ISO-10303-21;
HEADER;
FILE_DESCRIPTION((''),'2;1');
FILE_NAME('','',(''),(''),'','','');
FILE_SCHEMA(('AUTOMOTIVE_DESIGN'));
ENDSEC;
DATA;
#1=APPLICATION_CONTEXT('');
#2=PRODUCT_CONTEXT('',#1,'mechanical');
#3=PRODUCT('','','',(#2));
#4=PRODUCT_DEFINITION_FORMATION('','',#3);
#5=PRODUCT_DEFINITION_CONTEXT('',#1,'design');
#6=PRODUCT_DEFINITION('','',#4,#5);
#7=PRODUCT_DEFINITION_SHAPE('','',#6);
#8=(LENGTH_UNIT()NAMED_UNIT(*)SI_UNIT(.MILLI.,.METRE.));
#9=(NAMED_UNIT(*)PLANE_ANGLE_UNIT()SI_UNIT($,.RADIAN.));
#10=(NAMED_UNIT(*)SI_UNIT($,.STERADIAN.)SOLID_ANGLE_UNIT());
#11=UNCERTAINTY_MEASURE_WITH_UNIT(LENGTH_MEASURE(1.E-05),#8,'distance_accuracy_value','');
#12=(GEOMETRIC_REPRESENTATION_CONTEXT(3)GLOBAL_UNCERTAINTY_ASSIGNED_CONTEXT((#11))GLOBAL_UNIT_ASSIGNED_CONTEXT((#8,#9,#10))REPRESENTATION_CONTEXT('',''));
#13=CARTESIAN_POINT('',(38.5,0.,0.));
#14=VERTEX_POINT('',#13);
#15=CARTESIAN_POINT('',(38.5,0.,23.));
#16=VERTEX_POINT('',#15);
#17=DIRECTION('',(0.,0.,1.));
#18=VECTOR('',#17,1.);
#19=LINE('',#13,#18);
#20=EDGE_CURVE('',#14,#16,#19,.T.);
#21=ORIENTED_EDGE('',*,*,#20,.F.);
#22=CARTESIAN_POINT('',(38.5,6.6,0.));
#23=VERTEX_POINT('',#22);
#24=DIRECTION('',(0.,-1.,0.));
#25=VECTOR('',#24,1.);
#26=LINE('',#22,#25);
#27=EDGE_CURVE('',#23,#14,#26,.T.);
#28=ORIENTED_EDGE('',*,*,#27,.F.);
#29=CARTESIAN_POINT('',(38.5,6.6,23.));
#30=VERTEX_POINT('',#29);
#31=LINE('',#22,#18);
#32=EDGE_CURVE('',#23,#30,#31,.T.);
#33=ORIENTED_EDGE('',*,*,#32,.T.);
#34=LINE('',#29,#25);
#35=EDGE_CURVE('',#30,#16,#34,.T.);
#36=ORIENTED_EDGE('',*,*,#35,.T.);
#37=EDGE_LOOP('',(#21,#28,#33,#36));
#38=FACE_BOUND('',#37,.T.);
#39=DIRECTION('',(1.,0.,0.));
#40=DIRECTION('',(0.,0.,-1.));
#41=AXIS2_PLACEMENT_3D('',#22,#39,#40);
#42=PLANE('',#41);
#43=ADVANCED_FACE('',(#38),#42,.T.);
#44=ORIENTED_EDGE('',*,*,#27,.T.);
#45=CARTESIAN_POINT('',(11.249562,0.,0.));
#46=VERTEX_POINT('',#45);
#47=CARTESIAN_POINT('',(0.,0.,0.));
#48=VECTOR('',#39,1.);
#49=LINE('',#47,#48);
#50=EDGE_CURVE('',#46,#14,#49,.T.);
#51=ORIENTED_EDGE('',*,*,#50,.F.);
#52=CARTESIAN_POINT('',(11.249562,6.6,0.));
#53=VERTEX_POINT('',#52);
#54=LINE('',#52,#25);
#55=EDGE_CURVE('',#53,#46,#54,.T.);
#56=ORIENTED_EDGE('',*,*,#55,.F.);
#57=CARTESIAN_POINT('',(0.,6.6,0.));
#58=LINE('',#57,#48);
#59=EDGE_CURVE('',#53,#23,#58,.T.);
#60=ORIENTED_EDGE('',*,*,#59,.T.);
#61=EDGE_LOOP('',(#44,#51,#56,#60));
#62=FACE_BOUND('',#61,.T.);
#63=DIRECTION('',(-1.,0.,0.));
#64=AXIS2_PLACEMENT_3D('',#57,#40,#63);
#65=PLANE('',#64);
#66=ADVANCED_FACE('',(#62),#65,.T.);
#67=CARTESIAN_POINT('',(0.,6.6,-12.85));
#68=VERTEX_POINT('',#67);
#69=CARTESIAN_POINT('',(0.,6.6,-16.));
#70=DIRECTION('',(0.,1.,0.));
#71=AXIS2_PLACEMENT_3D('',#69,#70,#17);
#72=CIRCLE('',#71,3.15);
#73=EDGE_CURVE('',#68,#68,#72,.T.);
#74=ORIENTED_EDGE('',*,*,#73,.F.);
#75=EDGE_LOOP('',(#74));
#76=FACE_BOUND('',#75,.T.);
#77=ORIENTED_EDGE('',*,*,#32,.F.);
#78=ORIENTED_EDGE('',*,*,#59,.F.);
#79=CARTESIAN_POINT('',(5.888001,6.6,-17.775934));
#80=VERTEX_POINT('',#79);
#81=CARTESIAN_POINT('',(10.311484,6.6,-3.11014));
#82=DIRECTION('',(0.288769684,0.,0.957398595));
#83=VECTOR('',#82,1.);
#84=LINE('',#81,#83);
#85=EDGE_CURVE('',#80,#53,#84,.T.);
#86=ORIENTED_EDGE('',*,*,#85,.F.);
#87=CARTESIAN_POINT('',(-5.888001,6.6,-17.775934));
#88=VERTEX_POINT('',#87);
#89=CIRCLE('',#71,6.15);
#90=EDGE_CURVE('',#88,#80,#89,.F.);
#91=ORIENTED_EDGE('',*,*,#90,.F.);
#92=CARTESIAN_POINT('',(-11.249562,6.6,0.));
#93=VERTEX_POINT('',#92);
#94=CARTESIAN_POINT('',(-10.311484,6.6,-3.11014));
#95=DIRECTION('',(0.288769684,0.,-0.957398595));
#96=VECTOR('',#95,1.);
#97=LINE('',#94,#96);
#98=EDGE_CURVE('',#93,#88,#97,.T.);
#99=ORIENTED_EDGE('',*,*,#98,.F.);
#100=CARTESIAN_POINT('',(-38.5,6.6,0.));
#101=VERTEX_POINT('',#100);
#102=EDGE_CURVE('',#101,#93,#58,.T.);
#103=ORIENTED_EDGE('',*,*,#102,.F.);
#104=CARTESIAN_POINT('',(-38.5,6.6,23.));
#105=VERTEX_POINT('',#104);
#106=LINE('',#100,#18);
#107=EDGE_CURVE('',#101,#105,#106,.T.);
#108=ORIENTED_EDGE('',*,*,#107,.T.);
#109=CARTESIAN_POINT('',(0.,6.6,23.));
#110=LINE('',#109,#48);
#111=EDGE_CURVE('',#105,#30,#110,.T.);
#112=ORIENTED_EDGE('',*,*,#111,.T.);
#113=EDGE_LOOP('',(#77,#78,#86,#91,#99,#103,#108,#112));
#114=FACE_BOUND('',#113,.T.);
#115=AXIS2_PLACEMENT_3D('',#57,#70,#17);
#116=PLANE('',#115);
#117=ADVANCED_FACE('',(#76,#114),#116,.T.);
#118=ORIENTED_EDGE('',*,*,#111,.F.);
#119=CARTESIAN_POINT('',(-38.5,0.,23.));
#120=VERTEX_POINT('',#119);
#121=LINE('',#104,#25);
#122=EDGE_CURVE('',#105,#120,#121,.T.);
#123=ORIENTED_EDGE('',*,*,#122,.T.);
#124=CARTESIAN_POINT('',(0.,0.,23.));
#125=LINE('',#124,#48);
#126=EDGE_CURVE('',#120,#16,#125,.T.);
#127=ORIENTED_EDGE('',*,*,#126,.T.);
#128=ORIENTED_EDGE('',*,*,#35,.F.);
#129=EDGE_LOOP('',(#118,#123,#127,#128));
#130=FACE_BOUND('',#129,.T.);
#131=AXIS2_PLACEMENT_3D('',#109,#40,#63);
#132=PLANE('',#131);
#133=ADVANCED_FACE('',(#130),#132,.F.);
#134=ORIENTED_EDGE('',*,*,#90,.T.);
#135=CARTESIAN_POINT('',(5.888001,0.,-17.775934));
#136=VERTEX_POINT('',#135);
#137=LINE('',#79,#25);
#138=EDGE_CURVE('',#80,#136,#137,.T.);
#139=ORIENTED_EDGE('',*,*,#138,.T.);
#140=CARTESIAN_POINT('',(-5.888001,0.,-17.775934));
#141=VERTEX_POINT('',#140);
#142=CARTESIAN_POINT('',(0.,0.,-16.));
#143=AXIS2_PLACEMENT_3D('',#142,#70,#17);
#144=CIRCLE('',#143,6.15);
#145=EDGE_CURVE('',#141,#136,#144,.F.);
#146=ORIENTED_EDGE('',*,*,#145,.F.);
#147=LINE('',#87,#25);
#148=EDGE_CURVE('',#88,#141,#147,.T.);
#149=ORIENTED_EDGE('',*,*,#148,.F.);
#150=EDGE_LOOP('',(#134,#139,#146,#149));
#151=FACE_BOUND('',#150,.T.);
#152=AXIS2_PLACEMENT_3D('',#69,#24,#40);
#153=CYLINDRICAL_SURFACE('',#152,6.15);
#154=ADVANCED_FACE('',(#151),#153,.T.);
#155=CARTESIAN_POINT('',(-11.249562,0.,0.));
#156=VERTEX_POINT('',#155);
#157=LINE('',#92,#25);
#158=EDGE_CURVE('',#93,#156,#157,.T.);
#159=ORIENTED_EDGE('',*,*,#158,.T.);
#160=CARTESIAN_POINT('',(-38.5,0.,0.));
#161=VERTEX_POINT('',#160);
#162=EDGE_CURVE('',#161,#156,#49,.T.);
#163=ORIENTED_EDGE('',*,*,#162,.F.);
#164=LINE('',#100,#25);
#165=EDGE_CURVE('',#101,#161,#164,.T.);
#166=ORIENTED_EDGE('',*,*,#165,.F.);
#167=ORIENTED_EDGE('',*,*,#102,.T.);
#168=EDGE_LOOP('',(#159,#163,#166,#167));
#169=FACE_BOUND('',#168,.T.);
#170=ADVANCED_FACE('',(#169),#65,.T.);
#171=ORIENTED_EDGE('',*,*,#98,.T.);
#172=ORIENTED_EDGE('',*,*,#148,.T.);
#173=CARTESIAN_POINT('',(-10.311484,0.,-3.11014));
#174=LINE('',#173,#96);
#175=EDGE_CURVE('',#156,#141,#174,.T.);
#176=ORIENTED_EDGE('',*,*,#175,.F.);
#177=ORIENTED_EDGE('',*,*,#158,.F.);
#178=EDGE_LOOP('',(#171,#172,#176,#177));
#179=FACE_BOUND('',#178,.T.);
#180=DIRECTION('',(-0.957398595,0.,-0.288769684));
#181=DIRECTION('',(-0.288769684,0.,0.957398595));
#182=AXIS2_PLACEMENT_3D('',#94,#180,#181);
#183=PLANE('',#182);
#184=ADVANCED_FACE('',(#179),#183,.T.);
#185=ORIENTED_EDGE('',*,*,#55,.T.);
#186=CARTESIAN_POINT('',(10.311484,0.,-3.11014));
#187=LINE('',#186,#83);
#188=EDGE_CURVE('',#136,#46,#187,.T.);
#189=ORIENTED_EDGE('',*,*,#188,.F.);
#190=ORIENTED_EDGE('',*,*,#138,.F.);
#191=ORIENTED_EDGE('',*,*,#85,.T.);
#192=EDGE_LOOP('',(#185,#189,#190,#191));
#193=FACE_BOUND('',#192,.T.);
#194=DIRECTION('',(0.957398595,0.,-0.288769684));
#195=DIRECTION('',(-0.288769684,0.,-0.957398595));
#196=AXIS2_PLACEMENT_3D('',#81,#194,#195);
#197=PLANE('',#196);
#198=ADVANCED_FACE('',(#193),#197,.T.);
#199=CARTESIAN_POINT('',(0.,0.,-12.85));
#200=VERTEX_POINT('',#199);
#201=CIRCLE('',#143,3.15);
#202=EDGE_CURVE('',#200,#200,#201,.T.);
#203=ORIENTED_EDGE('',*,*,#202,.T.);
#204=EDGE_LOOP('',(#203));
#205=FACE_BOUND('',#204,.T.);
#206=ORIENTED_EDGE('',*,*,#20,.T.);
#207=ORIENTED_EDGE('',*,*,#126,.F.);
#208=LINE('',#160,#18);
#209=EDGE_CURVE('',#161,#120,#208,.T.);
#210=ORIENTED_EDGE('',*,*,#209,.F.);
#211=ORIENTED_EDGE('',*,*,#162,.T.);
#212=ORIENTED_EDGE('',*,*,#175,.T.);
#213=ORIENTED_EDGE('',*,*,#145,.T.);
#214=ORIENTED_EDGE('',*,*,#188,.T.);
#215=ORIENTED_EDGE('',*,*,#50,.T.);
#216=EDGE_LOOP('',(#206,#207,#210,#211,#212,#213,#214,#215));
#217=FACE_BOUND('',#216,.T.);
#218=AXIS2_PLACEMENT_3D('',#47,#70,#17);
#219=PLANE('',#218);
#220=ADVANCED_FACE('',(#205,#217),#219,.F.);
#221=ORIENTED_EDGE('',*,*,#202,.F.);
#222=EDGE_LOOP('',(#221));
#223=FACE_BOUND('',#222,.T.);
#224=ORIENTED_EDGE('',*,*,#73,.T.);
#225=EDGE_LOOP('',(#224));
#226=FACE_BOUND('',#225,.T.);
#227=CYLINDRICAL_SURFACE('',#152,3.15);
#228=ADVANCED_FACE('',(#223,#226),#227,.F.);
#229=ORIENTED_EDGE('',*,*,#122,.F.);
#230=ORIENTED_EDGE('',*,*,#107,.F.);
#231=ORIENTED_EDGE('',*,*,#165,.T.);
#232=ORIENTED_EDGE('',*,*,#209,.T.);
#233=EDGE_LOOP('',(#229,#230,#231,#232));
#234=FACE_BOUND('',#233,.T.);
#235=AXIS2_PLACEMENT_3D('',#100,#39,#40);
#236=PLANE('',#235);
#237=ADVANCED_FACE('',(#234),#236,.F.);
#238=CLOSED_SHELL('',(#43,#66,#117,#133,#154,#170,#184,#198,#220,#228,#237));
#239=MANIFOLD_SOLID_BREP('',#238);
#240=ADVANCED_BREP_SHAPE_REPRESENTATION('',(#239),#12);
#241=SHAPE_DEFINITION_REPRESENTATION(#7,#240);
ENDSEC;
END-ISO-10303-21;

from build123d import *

# Parameters (mm, degrees)
SKETCH_1_R      = 3.15
SKETCH_1_W      = 77
SKETCH_1_H      = 23
EXTRUDE_1_DEPTH = 6.6


with BuildPart() as part:
    # 草图1 → 凸台-拉伸1 (new body)
    # profile 1 of 2: a face of its own
    with BuildSketch(Plane(origin=(0, 0, 0), x_dir=(1, 0, 0), z_dir=(0, 1, 0))):
        with BuildLine():
            Line((-5.888001359, 17.775933557), (-11.249562098, 0))
            Line((-11.249562098, 0), (11.249562098, 0))
            Line((11.249562098, 0), (5.888001359, 17.775933557))
            ThreePointArc((5.888001359, 17.775933557), (0, 22.15), (-5.888001359, 17.775933557))
        make_face()
        with Locations(Location((0, 16, 0), (0, 0, 270))):
            Circle(SKETCH_1_R, mode=Mode.SUBTRACT)
    # profile 2 of 2: a face of its own
    with BuildSketch(Plane(origin=(0, 0, 0), x_dir=(1, 0, 0), z_dir=(0, 1, 0))):
        with Locations((0, -11.5)):
            Rectangle(SKETCH_1_W, SKETCH_1_H)
    extrude(amount=EXTRUDE_1_DEPTH)


solid = part.part
